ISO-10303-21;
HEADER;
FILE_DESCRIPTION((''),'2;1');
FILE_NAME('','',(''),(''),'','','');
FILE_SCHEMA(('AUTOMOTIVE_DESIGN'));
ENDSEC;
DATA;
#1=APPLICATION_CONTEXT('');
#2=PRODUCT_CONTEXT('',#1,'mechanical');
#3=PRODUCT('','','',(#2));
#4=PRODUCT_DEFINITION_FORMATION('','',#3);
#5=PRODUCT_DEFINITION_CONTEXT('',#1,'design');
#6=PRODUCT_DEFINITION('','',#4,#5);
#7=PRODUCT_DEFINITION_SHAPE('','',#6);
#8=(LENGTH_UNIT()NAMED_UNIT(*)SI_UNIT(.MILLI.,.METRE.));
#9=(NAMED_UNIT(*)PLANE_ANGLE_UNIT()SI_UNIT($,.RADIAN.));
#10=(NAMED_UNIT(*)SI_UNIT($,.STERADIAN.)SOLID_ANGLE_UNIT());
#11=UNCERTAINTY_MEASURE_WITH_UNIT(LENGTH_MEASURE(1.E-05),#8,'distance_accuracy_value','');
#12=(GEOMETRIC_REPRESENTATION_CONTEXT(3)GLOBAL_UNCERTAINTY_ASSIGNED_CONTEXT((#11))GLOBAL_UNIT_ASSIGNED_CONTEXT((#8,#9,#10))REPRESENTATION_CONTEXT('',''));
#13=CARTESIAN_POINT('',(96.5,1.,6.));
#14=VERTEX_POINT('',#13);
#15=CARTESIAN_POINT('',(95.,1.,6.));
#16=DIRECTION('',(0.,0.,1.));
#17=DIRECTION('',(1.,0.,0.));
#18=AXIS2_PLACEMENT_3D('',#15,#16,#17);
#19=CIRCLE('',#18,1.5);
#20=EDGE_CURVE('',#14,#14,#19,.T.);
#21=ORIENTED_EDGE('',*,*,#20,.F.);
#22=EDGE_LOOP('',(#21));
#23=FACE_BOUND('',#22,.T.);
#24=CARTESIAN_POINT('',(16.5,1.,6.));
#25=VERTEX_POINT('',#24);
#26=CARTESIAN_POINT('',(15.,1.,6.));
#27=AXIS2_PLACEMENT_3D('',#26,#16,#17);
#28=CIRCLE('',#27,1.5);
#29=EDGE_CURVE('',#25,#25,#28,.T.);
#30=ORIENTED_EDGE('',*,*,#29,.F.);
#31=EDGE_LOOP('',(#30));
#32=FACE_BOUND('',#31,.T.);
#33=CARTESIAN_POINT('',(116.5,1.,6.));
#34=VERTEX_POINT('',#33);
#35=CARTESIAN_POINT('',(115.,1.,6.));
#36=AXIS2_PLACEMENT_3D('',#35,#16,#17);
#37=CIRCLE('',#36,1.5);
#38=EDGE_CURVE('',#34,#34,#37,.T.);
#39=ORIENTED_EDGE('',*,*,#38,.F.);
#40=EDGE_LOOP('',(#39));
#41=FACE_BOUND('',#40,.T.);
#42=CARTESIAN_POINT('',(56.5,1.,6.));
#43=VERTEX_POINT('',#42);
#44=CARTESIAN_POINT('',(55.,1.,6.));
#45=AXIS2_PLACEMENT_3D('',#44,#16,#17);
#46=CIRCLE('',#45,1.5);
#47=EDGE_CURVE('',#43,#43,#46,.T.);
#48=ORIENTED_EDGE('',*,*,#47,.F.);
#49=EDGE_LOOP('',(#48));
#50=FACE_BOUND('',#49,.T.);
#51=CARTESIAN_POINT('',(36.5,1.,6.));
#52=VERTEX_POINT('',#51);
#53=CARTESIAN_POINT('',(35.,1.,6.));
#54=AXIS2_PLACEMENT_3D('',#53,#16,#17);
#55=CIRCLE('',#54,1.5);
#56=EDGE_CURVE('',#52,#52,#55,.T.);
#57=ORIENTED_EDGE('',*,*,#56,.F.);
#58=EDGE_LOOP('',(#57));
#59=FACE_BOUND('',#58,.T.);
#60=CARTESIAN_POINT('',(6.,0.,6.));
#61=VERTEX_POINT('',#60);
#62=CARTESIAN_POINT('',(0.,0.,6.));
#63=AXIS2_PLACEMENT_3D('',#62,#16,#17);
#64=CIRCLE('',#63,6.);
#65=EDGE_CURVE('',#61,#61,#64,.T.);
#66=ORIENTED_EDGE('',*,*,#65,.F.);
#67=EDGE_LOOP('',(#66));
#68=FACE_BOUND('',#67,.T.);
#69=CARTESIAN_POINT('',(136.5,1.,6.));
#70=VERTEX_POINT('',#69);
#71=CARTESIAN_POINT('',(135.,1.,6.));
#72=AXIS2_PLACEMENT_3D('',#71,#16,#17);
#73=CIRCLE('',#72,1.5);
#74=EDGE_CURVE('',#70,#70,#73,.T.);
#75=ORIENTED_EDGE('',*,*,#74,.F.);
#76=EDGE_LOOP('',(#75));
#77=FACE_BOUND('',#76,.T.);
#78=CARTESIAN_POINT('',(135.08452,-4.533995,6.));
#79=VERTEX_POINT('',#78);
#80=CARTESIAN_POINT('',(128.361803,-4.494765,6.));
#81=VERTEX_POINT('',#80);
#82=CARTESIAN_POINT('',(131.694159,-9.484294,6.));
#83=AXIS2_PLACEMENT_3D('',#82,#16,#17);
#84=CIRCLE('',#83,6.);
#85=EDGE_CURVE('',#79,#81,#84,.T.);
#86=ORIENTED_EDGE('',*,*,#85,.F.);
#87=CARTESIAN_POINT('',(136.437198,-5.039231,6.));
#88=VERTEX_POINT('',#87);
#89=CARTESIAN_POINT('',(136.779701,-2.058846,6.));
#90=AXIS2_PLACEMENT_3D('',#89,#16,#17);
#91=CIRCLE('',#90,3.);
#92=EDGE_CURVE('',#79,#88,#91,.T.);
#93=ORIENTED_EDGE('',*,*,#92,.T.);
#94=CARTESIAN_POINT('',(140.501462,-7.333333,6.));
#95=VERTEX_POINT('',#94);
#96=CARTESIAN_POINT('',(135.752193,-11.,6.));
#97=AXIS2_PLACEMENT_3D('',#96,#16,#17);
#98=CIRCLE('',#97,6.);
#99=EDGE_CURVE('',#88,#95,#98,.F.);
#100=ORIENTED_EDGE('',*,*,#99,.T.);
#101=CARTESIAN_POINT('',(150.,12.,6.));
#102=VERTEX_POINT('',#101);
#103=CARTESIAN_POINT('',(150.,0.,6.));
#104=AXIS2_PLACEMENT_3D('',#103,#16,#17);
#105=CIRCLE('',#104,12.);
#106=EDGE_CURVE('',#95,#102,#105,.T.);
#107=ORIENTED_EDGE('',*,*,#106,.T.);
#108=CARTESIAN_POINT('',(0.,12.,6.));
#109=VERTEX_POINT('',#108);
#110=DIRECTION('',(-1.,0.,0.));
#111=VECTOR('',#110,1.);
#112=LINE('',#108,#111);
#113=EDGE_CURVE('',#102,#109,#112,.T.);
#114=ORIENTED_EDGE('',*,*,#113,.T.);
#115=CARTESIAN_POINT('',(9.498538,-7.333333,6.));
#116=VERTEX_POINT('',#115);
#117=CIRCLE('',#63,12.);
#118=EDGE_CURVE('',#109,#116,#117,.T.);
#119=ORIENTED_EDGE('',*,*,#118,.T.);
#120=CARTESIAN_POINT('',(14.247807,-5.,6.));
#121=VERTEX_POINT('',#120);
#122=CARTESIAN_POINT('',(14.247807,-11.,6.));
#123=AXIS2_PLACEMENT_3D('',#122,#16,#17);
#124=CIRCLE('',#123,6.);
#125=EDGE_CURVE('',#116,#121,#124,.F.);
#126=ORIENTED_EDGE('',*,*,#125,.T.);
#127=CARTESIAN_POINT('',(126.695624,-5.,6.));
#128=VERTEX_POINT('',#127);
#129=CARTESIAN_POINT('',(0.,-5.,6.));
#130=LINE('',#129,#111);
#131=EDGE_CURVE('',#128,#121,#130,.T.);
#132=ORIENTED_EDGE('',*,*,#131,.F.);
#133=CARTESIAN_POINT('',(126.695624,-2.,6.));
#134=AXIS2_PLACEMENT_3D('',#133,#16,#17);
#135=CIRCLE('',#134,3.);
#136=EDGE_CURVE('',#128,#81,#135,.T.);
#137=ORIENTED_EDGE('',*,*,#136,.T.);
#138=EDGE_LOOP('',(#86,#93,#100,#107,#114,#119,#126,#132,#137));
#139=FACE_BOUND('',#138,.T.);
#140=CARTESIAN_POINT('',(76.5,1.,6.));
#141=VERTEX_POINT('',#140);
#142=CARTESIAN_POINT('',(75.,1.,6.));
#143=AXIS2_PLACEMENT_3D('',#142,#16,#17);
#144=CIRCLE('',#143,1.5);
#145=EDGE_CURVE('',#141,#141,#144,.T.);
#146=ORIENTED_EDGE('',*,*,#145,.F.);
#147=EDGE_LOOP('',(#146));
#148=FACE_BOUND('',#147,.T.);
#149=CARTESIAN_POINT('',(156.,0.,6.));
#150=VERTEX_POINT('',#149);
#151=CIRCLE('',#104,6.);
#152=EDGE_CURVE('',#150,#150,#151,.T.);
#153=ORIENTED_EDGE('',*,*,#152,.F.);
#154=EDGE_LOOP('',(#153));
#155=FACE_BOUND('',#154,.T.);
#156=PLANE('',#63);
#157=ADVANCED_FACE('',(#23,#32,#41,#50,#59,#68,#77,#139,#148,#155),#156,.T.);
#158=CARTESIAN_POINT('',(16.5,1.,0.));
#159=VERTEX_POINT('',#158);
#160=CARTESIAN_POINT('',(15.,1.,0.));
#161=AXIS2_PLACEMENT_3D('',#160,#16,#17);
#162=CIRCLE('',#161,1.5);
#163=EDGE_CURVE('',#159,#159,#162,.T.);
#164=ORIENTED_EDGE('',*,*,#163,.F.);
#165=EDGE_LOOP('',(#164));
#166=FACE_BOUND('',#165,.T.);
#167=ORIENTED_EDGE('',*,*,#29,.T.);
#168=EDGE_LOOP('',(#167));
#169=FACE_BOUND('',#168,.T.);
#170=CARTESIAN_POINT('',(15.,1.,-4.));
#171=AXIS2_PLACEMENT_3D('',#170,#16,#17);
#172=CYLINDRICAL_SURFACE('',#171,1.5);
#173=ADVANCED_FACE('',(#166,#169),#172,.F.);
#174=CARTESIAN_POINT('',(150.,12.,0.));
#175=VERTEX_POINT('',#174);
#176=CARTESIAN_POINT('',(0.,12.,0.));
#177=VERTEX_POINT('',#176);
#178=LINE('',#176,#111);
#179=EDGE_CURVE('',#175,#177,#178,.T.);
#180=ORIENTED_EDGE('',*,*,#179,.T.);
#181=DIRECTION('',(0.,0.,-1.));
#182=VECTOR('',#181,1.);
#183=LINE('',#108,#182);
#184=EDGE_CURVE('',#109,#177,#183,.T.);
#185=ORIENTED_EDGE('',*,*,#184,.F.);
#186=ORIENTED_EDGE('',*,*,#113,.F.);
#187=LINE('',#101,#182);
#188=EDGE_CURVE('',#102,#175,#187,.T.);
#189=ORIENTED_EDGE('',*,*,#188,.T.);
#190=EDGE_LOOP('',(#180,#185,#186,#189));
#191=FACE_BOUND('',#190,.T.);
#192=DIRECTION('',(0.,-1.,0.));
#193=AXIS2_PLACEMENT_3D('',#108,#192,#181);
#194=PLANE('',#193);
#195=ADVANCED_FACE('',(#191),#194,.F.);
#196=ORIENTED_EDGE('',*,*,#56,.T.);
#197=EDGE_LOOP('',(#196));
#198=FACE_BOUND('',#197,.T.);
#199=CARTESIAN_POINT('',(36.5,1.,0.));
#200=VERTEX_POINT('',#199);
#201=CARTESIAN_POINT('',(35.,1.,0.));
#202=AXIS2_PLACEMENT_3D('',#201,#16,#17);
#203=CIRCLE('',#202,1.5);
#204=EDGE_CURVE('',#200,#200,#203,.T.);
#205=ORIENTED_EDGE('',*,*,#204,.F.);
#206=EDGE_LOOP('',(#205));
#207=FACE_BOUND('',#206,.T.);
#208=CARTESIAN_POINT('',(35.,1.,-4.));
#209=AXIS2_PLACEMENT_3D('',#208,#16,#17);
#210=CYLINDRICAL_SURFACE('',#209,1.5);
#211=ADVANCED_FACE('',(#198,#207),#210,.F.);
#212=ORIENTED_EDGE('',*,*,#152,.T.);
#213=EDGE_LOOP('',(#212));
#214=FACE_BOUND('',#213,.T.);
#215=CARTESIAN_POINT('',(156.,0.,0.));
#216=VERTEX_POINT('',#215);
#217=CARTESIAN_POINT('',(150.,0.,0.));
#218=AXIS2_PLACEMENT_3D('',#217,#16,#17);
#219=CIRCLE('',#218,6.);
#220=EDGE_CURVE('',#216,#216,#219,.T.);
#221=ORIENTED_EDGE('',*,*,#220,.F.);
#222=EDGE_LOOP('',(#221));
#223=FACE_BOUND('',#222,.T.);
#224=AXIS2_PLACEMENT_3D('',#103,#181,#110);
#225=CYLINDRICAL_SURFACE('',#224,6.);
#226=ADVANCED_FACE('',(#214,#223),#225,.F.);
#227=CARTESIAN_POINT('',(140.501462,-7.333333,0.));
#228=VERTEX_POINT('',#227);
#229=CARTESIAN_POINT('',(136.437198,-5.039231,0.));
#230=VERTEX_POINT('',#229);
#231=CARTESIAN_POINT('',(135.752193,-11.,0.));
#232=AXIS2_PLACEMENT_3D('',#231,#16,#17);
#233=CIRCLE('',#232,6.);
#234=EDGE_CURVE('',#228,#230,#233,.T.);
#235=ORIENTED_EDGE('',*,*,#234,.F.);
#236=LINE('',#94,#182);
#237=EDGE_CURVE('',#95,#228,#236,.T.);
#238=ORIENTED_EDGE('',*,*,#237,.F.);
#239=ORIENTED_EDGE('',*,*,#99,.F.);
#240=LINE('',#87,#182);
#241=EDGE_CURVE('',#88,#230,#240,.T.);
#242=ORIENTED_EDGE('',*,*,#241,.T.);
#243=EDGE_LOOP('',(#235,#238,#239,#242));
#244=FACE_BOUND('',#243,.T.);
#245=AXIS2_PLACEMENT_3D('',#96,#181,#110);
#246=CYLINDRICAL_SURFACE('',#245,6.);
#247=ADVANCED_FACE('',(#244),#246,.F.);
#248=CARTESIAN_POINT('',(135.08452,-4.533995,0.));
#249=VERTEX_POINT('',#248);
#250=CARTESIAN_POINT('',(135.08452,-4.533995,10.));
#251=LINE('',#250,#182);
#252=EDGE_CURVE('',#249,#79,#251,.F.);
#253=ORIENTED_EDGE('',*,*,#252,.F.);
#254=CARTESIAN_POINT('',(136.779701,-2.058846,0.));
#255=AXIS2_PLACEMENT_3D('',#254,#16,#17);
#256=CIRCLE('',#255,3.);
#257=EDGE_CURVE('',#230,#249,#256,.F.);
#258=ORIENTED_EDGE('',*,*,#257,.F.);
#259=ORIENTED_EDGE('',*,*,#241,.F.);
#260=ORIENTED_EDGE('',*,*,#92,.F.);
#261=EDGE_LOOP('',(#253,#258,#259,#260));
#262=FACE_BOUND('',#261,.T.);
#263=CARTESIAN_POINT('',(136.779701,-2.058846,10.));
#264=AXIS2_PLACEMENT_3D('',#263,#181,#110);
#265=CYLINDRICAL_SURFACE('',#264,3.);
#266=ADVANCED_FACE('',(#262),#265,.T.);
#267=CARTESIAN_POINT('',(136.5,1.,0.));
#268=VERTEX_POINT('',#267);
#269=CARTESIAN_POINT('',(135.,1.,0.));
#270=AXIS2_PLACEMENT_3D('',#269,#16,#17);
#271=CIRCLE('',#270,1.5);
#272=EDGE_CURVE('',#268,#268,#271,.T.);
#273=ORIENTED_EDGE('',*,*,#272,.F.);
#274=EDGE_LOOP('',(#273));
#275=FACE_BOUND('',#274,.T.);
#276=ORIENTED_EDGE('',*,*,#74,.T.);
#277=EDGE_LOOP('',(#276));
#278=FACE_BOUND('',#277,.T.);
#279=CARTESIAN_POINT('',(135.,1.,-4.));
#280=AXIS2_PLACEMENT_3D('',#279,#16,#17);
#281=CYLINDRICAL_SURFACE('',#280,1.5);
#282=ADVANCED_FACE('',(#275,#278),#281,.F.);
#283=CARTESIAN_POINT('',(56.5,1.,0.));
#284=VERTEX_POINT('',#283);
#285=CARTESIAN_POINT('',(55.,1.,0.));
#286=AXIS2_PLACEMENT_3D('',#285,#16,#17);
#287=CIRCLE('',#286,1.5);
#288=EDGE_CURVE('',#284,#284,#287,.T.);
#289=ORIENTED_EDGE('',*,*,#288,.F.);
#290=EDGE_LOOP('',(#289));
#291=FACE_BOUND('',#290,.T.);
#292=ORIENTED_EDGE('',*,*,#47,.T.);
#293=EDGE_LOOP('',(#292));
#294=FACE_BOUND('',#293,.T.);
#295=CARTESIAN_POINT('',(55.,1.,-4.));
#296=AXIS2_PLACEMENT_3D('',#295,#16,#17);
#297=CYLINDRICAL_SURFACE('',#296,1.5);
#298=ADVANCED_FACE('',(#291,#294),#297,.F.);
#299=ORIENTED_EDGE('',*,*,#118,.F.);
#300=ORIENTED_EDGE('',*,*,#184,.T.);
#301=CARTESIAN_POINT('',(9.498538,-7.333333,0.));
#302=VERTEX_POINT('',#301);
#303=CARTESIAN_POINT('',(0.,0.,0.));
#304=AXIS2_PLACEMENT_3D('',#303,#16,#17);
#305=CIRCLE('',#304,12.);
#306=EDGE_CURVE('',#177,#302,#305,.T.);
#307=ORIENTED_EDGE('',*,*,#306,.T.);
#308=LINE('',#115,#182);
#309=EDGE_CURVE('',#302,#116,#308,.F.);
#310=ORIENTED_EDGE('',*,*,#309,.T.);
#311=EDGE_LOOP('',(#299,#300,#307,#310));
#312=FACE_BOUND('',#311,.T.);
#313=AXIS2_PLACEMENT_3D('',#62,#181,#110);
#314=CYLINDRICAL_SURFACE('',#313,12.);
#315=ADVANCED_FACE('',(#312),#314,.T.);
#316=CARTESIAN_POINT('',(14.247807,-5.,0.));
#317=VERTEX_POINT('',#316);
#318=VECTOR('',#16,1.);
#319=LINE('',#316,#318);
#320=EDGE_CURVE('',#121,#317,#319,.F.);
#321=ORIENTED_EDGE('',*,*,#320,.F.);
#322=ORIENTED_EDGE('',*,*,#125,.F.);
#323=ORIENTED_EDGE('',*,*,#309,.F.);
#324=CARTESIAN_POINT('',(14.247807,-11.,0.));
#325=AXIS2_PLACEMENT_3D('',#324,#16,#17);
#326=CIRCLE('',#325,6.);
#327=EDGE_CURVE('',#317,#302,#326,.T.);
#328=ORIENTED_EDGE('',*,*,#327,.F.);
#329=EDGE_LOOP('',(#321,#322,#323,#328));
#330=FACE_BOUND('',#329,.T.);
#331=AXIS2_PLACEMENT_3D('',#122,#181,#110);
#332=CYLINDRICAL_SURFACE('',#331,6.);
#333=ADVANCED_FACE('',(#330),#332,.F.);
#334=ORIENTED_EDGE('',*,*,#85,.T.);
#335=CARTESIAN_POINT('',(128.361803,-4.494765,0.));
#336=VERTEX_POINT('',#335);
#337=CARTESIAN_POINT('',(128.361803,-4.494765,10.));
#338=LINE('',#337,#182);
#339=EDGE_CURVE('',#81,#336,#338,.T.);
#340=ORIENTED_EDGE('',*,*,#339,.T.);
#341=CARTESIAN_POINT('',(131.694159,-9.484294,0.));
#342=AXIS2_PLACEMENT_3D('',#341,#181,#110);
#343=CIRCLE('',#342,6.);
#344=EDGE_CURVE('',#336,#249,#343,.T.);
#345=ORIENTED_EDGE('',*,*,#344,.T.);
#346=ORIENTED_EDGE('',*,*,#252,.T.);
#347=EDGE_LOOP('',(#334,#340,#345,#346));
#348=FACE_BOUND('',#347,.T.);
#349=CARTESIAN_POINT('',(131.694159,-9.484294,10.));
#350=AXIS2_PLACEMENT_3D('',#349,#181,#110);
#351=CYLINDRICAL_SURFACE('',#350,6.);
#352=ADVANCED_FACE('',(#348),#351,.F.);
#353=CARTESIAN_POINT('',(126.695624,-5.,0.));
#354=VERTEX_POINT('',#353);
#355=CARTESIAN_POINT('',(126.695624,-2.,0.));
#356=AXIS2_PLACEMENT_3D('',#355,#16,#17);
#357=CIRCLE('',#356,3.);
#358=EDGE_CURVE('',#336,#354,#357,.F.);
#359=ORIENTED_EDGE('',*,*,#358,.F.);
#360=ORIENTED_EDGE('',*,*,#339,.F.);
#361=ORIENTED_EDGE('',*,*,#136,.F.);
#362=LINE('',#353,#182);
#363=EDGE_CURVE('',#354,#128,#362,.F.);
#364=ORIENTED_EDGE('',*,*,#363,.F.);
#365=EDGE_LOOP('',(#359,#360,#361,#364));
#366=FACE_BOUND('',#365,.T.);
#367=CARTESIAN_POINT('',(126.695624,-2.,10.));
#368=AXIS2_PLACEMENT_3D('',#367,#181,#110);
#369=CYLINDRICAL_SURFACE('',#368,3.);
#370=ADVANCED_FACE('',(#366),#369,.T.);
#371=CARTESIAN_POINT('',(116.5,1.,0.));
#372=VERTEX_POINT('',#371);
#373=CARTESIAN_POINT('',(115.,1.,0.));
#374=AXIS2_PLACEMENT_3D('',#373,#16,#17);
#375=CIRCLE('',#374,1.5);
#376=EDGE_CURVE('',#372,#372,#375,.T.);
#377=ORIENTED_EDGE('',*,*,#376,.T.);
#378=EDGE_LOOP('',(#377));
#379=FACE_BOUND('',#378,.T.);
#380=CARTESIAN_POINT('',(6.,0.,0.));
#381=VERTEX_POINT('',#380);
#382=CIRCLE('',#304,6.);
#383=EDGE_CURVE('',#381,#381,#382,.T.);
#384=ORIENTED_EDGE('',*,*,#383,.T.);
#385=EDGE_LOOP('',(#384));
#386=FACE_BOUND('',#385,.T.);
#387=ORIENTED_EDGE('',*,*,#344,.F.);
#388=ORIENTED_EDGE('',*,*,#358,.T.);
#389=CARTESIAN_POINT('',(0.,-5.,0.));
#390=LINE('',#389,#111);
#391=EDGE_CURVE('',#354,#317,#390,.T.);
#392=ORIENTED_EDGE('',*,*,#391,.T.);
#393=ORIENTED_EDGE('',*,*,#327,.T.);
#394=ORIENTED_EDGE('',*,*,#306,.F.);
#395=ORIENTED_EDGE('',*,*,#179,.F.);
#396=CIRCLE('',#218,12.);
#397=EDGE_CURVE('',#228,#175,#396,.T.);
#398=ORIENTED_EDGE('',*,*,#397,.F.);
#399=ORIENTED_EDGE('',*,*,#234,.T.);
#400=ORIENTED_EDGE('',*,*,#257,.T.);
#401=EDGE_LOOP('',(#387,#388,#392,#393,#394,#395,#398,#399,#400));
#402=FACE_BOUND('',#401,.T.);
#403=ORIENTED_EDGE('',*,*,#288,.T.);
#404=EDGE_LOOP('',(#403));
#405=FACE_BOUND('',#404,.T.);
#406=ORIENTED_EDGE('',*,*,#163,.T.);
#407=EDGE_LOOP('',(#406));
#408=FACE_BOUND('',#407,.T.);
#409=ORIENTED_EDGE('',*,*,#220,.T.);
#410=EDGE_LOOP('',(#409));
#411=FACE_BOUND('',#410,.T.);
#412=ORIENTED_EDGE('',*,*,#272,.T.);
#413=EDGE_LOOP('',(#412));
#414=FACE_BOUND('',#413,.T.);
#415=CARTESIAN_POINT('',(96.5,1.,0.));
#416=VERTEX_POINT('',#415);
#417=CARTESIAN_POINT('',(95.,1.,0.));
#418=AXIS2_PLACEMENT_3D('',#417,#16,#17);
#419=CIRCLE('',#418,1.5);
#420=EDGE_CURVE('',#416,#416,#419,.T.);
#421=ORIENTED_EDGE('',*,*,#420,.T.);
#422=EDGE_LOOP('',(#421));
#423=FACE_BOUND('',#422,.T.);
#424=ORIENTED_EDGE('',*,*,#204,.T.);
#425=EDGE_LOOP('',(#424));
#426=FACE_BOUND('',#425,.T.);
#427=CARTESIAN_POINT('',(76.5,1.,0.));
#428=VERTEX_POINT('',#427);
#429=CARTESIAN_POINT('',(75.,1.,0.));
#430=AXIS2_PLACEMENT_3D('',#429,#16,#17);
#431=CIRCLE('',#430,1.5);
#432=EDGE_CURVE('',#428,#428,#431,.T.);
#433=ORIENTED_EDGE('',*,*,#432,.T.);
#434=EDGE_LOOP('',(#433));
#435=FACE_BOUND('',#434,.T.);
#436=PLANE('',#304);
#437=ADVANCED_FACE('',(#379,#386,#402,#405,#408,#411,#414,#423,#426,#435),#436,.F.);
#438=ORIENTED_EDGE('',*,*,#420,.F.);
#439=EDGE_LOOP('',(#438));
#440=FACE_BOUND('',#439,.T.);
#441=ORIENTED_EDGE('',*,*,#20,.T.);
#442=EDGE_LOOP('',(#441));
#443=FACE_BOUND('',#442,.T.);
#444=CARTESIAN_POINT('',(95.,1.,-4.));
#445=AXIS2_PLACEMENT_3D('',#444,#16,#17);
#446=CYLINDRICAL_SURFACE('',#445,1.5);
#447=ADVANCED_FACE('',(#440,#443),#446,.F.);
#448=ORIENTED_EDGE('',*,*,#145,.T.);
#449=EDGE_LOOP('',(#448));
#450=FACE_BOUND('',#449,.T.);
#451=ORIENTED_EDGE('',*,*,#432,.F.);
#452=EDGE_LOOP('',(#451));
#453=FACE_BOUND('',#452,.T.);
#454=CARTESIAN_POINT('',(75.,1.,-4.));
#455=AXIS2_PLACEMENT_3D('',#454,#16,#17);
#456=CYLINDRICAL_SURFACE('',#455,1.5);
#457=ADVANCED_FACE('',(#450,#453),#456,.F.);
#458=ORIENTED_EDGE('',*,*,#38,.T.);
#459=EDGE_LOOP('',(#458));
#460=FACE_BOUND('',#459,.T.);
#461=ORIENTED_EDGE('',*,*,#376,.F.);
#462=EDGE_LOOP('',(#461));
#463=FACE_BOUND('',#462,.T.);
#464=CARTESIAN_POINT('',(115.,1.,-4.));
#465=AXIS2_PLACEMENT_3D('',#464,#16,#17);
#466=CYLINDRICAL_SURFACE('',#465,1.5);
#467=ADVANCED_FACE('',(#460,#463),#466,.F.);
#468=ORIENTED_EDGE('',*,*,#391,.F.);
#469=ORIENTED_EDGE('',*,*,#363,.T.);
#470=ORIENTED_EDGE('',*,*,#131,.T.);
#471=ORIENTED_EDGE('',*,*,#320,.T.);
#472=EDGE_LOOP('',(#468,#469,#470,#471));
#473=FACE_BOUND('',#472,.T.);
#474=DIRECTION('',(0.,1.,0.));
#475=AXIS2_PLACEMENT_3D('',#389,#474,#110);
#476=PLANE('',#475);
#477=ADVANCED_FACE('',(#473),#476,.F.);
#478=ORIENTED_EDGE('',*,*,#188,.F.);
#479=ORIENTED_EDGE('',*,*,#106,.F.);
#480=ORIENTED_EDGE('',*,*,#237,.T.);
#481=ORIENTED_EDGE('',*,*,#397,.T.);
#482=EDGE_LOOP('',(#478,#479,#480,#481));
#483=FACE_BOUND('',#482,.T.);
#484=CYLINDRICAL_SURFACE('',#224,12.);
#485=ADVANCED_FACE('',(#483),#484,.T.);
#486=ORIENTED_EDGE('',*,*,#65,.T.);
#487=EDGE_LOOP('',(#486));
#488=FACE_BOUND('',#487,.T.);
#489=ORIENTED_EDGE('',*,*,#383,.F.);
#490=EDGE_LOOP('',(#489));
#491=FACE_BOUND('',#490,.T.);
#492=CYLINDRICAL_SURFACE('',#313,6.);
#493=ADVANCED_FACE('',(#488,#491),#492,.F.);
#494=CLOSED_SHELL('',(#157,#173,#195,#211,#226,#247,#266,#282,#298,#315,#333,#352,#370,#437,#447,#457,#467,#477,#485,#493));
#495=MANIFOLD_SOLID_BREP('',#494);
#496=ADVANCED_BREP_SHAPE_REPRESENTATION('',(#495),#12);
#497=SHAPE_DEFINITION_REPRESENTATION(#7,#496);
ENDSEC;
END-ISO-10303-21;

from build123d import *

# Parameters (mm, degrees)
SKETCH_1_R          = 6
EXTRUDE_1_DEPTH     = 6
CUT_EXTRUDE_START   = -6
CUT_EXTRUDE_1_DEPTH = 6
FILLET_1_R          = 6
SKETCH_6_R          = 1.5
CUT_EXTRUDE_2_DEPTH = 10
SKETCH_7_R          = 6
CUT_EXTRUDE_3_DEPTH = 10
FILLET_2_R          = 3


with BuildPart() as part:
    # 草图1 → 凸台-拉伸1 (new body)
    with BuildSketch(Plane.XY):
        with BuildLine():
            Line((0, 12), (150, 12))
            ThreePointArc((150, 12), (162, 0), (150, -12))
            Line((150, -12), (0, -12))
            ThreePointArc((0, -12), (-12, 0), (0, 12))
        make_face()
        Circle(SKETCH_1_R, mode=Mode.SUBTRACT)
        with Locations((150, 0)):
            Circle(SKETCH_1_R, mode=Mode.SUBTRACT)
    extrude(amount=EXTRUDE_1_DEPTH)

    # 草图2 → 切除-拉伸1 (cut)
    with BuildSketch(Plane.XY.offset(6).offset(CUT_EXTRUDE_START)):
        with BuildLine():
            ThreePointArc((10.908712115, -5), (6.480740698, -10.099504938), (0, -12))
            Line((0, -12), (150, -12))
            ThreePointArc((150, -12), (143.519259302, -10.099504938), (139.091287885, -5))
            Line((139.091287885, -5), (10.908712115, -5))
        make_face()
    extrude(amount=CUT_EXTRUDE_1_DEPTH, mode=Mode.SUBTRACT)

    # 圆角1
    fillet_1_edges = [part.edges().sort_by_distance(p)[0] for p in [
        (139.091287885, -5, 3),
        (10.908712115, -5, 3),
    ]]
    fillet(fillet_1_edges, radius=FILLET_1_R)

    # 草图6 → 切除-拉伸2 (cut)
    with BuildSketch(Plane.XY.offset(6)):
        with Locations((15, 1)):
            Circle(SKETCH_6_R)
        with Locations((35, 1)):
            Circle(SKETCH_6_R)
        with Locations((55, 1)):
            Circle(SKETCH_6_R)
        with Locations((75, 1)):
            Circle(SKETCH_6_R)
        with Locations((95, 1)):
            Circle(SKETCH_6_R)
        with Locations((115, 1)):
            Circle(SKETCH_6_R)
        with Locations((135, 1)):
            Circle(SKETCH_6_R)
    extrude(amount=-CUT_EXTRUDE_2_DEPTH, mode=Mode.SUBTRACT)

    # 草图7 → 切除-拉伸3 (cut)
    with BuildSketch(Plane(origin=(0, 0, 0), x_dir=(-1, 0, 0), z_dir=(0, 0, -1))):
        with Locations((-131.694159211, -9.484293539)):
            Circle(SKETCH_7_R)
    extrude(amount=-CUT_EXTRUDE_3_DEPTH, mode=Mode.SUBTRACT)

    # 圆角2
    fillet_2_edges = [part.edges().sort_by_distance(p)[0] for p in [
        (127.707793516, -5, 3),
        (135.680524907, -5, 3),
    ]]
    fillet(fillet_2_edges, radius=FILLET_2_R)


solid = part.part
